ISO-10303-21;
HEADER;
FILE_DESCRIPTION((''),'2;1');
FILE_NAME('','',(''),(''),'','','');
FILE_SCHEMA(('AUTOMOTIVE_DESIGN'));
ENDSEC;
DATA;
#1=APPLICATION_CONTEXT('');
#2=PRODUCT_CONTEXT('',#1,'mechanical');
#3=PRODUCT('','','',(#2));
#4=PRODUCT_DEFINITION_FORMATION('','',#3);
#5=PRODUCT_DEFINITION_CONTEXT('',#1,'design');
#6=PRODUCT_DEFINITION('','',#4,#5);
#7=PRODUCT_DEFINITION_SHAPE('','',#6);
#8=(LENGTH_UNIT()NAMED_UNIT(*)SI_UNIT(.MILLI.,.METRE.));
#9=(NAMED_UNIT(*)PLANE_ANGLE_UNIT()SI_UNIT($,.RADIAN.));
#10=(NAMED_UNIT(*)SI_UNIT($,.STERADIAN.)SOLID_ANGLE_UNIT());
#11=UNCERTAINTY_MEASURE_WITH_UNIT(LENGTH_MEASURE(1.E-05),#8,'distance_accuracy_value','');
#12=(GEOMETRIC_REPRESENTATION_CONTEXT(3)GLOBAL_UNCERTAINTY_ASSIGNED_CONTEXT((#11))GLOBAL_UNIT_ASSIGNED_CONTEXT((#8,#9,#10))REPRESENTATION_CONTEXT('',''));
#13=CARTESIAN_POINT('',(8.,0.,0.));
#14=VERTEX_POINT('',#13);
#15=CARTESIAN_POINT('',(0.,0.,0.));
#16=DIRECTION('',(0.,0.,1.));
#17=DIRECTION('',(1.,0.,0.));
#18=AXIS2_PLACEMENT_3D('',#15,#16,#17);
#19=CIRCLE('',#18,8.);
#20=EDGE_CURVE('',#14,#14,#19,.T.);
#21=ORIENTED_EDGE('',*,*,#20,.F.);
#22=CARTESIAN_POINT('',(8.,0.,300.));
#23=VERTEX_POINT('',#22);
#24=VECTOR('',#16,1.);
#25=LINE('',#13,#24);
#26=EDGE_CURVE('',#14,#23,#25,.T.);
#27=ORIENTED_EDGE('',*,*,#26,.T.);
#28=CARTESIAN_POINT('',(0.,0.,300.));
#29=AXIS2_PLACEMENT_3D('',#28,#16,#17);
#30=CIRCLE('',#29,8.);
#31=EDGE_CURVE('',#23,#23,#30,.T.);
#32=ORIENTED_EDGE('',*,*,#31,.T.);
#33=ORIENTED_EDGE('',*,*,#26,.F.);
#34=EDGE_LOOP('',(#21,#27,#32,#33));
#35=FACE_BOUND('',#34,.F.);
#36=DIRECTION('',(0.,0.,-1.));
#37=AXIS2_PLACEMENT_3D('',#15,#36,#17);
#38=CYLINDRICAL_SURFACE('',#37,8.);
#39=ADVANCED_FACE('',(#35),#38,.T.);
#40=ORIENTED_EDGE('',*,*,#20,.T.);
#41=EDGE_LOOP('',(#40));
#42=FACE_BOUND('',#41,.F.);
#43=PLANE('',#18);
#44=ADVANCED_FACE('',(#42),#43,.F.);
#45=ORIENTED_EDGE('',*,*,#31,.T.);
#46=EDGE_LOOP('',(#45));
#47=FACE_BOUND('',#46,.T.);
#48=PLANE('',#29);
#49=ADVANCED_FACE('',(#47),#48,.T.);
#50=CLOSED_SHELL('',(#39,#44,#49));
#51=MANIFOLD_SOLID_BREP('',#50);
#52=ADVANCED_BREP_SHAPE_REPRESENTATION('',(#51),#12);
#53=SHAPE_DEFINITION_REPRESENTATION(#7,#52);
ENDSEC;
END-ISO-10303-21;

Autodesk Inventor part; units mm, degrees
ref_plane "YZ Plane" through (0, 0, 0) normal (1, 0, 0) x (0, 1, 0)
ref_plane "XZ Plane" through (0, 0, 0) normal (0, 1, 0) x (-1, 0, 0)
ref_plane "XY Plane" through (0, 0, 0) normal (0, 0, 1) x (1, 0, 0)
sketch "Sketch1" plane through (0, 0, 0) normal (0, 0, 1) x (1, 0, 0)
  circle A0 centre (0, 0) radius 8
  dimension "d0" = 16
extrude "Extrusion1" add sketch "Sketch1" along normal blind 300
properties part number "Z Shaft"
